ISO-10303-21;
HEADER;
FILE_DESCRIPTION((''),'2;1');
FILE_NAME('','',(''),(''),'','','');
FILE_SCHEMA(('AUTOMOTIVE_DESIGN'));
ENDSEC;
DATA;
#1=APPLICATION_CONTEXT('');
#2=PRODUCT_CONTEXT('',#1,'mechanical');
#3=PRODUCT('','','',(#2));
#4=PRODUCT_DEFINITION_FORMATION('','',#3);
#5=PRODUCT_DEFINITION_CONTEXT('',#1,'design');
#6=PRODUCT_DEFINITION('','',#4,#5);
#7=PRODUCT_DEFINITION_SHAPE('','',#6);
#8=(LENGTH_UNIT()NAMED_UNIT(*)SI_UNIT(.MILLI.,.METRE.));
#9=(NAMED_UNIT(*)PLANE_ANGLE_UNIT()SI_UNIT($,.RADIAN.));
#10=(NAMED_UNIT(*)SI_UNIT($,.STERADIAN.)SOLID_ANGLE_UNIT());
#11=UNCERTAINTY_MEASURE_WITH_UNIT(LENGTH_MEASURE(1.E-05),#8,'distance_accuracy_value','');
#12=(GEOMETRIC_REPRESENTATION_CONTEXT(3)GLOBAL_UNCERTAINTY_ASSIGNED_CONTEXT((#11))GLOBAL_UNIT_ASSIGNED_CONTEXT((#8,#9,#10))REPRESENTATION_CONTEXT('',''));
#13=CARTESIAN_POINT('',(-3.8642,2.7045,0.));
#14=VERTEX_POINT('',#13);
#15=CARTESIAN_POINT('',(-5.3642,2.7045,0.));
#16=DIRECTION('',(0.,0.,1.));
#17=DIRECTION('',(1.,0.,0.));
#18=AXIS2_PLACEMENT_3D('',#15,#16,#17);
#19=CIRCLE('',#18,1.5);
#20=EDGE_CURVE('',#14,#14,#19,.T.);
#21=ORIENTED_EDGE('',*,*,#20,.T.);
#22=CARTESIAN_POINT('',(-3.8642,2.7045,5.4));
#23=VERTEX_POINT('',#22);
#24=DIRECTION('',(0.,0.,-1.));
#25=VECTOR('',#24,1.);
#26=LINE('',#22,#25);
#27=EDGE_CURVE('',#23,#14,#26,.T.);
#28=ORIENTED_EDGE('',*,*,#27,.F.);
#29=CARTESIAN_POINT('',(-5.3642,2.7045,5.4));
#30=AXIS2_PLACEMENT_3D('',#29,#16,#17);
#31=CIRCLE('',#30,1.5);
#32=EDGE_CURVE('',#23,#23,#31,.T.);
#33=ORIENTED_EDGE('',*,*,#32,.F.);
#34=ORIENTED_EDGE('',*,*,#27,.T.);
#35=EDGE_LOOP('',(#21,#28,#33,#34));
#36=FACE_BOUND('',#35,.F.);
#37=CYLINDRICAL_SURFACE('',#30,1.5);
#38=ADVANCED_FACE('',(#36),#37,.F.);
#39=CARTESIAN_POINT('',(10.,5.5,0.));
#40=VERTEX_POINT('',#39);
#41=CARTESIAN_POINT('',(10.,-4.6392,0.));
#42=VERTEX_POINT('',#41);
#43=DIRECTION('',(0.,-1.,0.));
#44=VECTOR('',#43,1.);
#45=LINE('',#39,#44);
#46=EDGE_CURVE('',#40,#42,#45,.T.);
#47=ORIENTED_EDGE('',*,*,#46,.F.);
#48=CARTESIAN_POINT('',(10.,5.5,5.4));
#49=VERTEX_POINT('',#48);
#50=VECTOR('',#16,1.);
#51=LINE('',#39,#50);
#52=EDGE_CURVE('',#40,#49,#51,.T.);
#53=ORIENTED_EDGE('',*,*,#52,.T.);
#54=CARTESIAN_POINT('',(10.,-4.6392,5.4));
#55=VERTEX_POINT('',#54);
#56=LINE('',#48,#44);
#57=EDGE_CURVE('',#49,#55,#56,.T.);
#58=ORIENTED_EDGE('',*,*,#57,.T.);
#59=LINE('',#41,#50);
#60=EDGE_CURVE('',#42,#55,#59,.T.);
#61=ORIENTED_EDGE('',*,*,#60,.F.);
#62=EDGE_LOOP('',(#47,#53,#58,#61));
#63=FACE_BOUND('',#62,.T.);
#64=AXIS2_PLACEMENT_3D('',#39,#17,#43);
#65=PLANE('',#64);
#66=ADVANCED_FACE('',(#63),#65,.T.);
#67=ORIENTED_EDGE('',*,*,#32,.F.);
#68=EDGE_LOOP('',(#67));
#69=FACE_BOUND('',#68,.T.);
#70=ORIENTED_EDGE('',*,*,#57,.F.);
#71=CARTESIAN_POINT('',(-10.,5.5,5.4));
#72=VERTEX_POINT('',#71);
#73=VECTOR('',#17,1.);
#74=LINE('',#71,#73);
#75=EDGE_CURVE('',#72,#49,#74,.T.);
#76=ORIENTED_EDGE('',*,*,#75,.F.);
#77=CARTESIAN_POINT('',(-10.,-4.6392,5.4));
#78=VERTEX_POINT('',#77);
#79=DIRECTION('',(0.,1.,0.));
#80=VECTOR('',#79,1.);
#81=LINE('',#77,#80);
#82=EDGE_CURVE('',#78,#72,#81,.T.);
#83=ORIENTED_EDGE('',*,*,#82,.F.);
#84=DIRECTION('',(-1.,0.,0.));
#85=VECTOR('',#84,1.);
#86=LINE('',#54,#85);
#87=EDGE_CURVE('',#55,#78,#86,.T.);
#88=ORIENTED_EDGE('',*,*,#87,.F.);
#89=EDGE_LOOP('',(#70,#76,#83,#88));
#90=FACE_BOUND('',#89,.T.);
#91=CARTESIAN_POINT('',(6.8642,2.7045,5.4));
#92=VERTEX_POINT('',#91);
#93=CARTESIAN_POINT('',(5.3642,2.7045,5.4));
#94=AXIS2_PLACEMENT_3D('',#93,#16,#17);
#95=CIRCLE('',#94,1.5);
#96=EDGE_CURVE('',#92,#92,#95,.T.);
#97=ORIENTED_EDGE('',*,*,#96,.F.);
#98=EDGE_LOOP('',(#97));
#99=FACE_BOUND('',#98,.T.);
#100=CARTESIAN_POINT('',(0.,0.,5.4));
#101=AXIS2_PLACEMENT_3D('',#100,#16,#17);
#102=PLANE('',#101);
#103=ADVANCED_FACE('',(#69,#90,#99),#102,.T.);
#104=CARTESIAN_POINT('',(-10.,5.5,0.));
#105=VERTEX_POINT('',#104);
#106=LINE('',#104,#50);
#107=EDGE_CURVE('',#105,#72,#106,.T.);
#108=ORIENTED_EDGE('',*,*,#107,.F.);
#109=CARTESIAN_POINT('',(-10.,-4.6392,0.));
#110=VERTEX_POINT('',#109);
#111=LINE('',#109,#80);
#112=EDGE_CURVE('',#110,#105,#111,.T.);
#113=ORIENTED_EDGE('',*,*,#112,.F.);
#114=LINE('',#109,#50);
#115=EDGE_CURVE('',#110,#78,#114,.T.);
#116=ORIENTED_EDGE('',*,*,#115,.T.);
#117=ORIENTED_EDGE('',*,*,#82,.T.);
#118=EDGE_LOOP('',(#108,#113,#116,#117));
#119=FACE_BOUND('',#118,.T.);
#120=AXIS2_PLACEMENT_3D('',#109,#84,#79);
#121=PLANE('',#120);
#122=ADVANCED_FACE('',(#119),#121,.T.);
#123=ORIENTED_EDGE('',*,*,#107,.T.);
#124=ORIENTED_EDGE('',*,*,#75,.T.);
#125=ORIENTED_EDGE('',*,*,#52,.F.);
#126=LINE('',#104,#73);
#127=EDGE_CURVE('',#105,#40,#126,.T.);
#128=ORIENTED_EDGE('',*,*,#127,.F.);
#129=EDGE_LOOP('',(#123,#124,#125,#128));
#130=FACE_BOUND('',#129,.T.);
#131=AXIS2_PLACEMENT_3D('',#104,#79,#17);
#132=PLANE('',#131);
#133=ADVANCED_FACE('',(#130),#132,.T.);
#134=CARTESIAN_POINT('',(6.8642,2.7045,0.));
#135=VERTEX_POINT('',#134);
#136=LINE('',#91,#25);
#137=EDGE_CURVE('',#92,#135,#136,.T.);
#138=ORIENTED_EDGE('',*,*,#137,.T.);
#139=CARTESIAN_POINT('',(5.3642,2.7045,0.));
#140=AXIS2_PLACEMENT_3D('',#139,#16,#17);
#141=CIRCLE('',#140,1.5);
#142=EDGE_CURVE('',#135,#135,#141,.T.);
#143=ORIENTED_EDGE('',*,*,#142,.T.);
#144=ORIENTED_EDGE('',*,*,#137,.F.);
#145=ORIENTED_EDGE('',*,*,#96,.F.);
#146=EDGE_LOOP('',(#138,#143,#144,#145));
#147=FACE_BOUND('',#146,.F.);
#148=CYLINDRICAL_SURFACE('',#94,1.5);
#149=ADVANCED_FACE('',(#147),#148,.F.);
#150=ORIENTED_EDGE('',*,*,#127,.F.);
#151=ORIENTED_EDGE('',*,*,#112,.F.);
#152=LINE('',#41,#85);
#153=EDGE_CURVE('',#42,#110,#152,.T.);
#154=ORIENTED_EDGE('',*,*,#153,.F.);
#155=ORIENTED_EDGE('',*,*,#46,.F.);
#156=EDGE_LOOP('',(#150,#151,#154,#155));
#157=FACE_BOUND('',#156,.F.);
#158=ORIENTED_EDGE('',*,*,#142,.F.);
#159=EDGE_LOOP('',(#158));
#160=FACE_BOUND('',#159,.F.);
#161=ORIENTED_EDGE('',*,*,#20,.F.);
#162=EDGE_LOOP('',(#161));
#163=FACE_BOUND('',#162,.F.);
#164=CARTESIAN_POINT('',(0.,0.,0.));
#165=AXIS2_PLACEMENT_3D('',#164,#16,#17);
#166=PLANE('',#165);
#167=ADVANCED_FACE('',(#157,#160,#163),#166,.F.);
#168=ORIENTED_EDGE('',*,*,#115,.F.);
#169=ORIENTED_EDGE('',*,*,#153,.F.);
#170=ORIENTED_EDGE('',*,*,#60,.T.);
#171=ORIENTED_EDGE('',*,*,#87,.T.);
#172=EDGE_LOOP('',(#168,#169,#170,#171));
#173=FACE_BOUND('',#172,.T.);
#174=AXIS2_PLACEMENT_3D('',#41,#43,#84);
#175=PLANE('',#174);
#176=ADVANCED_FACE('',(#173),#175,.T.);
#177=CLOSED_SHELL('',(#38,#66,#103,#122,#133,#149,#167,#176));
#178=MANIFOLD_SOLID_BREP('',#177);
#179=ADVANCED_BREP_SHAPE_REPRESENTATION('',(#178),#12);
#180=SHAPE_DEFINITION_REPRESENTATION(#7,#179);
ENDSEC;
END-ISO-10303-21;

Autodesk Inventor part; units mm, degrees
ref_plane "YZ Plane" through (0, 0, 0) normal (1, 0, 0) x (0, 1, 0)
ref_plane "XZ Plane" through (0, 0, 0) normal (0, 1, 0) x (-1, 0, 0)
ref_plane "XY Plane" through (0, 0, 0) normal (0, 0, 1) x (1, 0, 0)
sketch "草图1" plane through (0, 0, 0) normal (0, 0, 1) x (1, 0, 0)
  line L0 (10, -4.6392) -> (-10, -4.6392)
  line L1 (-10, -4.6392) -> (-10, 5.5)
  line L2 (-10, 5.5) -> (10, 5.5)
  line L3 (10, 5.5) -> (10, -4.6392)
  point P0 (0, 0)
  dimension "d0" = 20
  dimension "d7" = 10.1392
extrude "拉伸1" add sketch "草图1" along normal blind 5.4
sketch "草图2" plane through (0, 0, 5.4) normal (0, 0, 1) x (1, 0, 0)
  circle A0 centre (-5.3642, 2.7045) radius 1.5 projected
  circle A1 centre (5.3642, 2.7045) radius 1.5 projected
  point P0 (0, 0)
extrude "拉伸2" cut sketch "草图2" against normal blind 21.65
properties part number "攻单夹片"
